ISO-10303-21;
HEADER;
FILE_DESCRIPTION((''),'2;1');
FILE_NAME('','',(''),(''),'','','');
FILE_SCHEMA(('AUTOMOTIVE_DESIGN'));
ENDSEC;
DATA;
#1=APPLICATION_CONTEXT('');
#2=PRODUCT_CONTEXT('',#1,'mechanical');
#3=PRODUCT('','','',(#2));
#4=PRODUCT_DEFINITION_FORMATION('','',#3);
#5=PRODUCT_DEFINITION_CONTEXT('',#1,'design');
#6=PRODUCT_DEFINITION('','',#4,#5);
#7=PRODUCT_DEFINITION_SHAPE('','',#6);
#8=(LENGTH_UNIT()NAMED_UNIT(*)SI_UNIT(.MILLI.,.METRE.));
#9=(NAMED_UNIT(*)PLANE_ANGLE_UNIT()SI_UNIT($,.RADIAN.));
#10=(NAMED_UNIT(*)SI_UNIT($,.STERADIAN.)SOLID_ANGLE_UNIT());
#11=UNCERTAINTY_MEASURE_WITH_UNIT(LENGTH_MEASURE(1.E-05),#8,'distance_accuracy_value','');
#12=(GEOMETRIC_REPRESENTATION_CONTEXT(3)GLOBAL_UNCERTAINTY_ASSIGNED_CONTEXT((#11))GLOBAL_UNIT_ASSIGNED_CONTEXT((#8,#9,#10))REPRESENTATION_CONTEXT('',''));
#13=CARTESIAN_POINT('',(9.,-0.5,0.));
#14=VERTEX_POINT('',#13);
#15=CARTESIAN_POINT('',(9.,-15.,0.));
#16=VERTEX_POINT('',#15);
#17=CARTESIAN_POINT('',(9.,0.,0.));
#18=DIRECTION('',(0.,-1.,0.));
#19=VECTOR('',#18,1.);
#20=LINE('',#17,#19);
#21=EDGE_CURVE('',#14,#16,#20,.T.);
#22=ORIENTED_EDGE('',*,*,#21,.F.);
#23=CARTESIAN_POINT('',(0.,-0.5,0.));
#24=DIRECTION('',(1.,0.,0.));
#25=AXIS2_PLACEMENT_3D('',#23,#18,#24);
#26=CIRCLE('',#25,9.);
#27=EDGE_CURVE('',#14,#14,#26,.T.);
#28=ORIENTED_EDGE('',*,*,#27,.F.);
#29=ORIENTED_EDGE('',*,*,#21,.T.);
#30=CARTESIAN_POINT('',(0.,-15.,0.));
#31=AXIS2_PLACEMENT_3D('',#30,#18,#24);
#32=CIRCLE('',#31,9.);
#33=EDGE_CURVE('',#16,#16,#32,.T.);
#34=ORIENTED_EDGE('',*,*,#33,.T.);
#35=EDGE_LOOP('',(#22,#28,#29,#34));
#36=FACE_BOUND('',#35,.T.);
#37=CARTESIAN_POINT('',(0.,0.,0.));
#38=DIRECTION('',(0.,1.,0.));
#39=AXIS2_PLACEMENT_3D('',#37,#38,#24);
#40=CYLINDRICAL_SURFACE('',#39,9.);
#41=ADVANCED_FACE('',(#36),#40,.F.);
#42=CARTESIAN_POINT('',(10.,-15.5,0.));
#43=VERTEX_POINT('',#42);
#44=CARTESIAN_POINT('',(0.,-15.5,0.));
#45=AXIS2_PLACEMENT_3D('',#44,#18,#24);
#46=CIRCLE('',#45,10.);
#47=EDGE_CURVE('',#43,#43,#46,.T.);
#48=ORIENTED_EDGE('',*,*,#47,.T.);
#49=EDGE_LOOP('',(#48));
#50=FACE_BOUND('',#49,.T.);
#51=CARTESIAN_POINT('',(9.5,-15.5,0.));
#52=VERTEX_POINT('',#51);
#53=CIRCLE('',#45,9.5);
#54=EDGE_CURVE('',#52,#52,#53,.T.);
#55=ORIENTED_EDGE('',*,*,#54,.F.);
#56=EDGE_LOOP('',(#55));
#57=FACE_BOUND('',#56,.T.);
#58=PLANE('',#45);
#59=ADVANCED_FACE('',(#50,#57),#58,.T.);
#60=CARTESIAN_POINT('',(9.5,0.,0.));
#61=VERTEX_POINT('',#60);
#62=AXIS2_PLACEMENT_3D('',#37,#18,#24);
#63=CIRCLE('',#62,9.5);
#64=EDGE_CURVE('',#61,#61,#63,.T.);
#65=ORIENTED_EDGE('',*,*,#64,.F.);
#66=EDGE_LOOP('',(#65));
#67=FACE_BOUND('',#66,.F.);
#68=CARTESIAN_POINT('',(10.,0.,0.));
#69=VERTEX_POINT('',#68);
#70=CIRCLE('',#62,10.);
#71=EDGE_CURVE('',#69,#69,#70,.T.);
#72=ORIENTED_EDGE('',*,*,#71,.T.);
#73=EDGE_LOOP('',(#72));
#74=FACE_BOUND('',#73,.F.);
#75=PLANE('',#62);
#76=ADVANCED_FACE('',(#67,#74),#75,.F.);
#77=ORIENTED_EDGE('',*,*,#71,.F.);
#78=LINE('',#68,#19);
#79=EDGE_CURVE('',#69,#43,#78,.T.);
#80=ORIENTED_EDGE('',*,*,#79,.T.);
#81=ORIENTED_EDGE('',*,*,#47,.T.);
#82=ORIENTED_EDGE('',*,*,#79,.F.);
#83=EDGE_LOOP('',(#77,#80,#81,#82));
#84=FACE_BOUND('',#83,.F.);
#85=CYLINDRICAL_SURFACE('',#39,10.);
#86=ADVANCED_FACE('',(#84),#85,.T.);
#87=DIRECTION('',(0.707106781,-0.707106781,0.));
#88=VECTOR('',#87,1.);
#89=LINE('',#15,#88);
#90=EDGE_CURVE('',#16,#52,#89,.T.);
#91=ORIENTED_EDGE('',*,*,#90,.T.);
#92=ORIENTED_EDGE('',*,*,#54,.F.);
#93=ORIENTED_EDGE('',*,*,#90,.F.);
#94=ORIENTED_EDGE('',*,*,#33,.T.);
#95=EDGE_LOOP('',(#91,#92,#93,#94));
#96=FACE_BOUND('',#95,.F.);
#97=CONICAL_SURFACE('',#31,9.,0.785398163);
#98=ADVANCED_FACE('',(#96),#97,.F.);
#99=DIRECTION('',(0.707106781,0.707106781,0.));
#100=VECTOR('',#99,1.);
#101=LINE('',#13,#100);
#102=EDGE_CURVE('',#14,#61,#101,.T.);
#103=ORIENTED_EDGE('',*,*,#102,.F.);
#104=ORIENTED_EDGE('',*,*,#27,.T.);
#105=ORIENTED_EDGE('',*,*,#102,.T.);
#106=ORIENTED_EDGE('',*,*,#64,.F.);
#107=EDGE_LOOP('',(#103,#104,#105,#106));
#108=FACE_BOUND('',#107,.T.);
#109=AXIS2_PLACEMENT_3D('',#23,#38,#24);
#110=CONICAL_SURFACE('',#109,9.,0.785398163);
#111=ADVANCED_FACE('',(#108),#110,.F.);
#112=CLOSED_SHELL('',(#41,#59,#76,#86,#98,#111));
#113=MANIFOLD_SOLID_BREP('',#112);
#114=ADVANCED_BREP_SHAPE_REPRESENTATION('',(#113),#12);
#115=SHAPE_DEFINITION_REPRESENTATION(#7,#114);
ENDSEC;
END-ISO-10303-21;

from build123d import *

# Parameters (mm, degrees)
F0_R     = 10
F0_R_2   = 9
F1_DEPTH = 15.5
F2_SIZE  = 0.5


with BuildPart() as f1:
    # F0 (on Front) → F1 (new body)
    with BuildSketch(Plane.XZ):
        Circle(F0_R)
        Circle(F0_R_2, mode=Mode.SUBTRACT)
    extrude(amount=F1_DEPTH)

    # F2
    f2_edges = [f1.edges().sort_by_distance(p)[0] for p in [
        (9, -7.75, 0),
        (-9, 0, 0),
        (-9, -15.5, 0),
    ]]
    chamfer(f2_edges, length=F2_SIZE)


solid = f1.part
